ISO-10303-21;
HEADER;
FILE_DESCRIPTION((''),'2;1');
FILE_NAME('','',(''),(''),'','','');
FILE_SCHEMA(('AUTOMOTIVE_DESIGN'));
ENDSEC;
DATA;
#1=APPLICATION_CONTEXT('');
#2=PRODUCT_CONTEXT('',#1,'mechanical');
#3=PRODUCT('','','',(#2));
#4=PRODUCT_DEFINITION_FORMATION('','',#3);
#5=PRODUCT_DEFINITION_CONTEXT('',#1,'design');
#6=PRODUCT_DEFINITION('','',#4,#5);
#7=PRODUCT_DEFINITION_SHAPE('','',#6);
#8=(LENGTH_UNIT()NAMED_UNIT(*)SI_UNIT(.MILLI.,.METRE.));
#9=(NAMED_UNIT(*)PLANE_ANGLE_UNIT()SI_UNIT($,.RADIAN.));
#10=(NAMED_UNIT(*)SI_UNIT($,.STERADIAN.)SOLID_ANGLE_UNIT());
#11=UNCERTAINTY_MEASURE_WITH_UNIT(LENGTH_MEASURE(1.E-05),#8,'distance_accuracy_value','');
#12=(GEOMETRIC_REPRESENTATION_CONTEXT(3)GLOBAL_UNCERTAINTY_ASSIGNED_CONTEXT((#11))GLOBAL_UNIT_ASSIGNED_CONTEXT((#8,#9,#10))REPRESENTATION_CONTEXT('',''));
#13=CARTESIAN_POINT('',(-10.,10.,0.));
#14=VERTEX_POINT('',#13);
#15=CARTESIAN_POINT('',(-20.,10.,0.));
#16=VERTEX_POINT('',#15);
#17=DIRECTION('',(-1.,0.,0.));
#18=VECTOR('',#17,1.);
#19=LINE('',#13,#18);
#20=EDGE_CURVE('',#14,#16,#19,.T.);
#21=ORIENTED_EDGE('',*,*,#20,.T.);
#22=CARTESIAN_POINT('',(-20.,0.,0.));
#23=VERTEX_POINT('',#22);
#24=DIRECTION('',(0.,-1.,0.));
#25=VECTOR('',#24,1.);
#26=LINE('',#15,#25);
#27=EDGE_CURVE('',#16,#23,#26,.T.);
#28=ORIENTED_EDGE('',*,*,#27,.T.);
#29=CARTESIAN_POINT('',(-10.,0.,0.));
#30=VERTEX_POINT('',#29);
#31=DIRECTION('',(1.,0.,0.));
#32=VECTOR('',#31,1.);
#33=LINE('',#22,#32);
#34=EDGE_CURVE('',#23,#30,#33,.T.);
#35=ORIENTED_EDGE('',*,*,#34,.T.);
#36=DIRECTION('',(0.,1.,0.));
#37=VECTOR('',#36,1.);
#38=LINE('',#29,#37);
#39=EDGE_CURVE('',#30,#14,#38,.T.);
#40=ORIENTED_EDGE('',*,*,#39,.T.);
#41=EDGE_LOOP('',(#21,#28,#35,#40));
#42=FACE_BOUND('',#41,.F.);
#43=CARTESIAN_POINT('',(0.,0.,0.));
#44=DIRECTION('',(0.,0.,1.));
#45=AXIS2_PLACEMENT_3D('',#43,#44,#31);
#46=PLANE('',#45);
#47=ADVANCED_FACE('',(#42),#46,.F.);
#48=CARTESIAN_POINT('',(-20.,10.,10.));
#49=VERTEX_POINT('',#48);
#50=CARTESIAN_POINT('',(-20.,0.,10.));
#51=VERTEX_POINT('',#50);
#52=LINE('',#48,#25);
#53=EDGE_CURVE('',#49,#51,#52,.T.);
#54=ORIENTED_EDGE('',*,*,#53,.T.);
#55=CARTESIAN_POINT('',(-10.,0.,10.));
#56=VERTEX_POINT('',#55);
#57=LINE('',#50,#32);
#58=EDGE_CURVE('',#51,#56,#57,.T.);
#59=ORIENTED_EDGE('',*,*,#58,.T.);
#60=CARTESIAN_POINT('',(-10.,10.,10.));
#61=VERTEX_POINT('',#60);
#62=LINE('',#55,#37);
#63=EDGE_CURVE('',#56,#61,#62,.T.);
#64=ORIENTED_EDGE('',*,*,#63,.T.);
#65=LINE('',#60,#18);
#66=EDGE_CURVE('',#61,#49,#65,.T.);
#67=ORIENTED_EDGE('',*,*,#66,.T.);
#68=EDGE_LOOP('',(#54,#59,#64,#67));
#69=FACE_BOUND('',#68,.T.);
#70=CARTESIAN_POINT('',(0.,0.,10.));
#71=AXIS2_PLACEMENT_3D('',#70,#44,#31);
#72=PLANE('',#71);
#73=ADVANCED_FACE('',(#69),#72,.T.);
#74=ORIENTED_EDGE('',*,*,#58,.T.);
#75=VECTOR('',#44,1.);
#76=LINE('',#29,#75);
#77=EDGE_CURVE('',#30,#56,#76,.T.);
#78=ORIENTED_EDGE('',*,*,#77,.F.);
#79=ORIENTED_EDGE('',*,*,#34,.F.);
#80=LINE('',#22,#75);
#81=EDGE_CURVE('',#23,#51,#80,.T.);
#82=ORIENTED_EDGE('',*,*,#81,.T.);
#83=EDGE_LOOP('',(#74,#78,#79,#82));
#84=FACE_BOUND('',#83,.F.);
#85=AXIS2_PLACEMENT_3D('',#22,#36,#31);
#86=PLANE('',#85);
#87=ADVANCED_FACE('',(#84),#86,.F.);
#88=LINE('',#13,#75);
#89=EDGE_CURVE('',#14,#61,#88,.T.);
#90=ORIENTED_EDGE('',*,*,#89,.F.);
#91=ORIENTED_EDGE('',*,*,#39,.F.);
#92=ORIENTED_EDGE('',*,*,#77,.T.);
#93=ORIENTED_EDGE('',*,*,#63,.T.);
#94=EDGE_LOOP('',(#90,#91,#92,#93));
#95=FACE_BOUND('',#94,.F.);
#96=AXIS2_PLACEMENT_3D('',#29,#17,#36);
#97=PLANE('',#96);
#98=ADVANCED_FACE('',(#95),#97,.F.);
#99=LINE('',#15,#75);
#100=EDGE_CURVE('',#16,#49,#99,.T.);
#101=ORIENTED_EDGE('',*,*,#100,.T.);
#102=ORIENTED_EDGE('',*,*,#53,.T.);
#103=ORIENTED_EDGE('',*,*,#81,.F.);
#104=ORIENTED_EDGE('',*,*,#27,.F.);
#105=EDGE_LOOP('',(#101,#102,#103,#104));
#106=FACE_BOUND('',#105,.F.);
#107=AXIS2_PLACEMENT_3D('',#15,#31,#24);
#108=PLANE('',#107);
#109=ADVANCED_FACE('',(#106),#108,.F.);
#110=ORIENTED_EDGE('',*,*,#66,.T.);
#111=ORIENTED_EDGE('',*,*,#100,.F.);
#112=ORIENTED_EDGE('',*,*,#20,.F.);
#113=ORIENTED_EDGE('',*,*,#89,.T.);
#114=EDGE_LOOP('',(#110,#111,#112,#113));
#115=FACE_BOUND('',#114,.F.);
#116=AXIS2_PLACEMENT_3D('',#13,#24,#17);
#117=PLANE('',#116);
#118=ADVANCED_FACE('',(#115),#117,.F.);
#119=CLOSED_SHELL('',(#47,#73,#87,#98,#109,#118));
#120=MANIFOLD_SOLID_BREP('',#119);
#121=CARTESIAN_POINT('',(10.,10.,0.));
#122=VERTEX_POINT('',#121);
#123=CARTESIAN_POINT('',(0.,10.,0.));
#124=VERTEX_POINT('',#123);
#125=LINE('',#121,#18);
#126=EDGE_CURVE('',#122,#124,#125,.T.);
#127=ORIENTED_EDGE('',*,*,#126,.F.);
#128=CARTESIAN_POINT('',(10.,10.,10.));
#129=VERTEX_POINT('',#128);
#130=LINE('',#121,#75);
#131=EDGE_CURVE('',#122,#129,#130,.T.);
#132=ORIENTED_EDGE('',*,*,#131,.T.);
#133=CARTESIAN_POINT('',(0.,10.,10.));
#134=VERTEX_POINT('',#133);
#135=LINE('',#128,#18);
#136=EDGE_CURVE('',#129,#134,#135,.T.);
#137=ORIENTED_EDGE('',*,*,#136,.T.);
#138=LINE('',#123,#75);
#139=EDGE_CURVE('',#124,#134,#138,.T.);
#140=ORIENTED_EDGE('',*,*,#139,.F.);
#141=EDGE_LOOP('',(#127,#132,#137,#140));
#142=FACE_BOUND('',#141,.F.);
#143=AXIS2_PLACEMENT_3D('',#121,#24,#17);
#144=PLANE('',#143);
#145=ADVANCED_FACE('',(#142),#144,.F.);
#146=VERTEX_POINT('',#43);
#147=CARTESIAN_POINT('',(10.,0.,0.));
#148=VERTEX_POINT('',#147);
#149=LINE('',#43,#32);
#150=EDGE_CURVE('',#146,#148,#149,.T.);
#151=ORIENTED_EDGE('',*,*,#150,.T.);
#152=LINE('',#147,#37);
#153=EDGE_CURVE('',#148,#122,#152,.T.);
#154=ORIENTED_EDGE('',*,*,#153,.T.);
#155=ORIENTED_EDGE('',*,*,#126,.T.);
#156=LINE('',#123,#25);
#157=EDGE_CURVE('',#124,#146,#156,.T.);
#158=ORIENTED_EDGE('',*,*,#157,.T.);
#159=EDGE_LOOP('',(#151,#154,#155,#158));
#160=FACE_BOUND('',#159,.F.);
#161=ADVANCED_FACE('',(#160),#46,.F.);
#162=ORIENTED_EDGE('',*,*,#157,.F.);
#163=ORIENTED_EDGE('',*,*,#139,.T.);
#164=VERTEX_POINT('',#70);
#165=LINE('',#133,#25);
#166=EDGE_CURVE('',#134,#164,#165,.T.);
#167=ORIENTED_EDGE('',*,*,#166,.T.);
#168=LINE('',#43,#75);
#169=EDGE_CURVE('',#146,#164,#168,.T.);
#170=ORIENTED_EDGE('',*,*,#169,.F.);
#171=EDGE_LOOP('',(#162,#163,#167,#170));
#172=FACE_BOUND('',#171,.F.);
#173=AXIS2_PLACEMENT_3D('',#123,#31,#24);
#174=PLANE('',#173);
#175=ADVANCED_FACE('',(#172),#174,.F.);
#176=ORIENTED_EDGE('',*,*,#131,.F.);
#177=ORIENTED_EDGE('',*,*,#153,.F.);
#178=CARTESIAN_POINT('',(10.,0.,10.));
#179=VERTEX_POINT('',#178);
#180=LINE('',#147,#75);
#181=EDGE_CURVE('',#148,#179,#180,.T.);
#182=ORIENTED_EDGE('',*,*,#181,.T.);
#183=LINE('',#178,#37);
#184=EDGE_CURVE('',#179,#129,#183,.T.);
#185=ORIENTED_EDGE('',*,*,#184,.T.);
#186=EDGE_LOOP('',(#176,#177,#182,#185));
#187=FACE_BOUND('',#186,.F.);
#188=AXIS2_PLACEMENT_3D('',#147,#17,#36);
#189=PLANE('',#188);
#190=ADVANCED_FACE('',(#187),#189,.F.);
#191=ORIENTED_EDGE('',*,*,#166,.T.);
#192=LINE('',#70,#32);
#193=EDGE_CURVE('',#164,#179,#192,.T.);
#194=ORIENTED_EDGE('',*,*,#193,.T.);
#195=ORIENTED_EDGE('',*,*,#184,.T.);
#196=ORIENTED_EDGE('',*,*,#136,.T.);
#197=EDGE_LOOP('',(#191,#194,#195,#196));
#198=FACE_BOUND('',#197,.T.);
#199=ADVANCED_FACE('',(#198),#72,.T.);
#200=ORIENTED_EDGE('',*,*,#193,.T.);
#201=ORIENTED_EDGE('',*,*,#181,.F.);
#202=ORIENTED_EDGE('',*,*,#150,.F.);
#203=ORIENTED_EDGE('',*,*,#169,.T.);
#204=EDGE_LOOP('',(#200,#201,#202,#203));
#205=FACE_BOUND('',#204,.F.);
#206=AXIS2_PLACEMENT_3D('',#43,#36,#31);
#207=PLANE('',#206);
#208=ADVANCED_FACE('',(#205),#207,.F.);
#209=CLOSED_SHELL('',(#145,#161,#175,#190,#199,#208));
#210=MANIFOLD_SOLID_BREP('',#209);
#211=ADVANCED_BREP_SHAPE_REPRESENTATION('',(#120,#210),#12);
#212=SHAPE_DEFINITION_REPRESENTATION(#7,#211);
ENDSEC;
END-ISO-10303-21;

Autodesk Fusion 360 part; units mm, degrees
sketch "Sketch1" plane through (0, 0, 0) normal (0, 0, 1) x (1, 0, 0)
  line L0 (0, 0) -> (10, 0)
  line L1 (10, 0) -> (10, 10)
  line L2 (10, 10) -> (0, 10)
  line L3 (0, 10) -> (0, 0)
  line L4 (-10, 10) -> (-20, 10)
  line L5 (-20, 10) -> (-20, 0)
  line L6 (-20, 0) -> (-10, 0)
  line L7 (-10, 0) -> (-10, 10)
extrude "Extrude1" add sketch "Sketch1" along normal blind 10 contours L4 L5 L6 L7 makes body 1
extrude "Extrude1'" add sketch "Sketch1" along normal blind 10 separate body contours L0 L1 L2 L3 makes body 2 in component "Tool"
component "Tool" placed x (1, 0, 0) y (0, 1, 0) z (0, 0, 1) at (0, 0, 0)
